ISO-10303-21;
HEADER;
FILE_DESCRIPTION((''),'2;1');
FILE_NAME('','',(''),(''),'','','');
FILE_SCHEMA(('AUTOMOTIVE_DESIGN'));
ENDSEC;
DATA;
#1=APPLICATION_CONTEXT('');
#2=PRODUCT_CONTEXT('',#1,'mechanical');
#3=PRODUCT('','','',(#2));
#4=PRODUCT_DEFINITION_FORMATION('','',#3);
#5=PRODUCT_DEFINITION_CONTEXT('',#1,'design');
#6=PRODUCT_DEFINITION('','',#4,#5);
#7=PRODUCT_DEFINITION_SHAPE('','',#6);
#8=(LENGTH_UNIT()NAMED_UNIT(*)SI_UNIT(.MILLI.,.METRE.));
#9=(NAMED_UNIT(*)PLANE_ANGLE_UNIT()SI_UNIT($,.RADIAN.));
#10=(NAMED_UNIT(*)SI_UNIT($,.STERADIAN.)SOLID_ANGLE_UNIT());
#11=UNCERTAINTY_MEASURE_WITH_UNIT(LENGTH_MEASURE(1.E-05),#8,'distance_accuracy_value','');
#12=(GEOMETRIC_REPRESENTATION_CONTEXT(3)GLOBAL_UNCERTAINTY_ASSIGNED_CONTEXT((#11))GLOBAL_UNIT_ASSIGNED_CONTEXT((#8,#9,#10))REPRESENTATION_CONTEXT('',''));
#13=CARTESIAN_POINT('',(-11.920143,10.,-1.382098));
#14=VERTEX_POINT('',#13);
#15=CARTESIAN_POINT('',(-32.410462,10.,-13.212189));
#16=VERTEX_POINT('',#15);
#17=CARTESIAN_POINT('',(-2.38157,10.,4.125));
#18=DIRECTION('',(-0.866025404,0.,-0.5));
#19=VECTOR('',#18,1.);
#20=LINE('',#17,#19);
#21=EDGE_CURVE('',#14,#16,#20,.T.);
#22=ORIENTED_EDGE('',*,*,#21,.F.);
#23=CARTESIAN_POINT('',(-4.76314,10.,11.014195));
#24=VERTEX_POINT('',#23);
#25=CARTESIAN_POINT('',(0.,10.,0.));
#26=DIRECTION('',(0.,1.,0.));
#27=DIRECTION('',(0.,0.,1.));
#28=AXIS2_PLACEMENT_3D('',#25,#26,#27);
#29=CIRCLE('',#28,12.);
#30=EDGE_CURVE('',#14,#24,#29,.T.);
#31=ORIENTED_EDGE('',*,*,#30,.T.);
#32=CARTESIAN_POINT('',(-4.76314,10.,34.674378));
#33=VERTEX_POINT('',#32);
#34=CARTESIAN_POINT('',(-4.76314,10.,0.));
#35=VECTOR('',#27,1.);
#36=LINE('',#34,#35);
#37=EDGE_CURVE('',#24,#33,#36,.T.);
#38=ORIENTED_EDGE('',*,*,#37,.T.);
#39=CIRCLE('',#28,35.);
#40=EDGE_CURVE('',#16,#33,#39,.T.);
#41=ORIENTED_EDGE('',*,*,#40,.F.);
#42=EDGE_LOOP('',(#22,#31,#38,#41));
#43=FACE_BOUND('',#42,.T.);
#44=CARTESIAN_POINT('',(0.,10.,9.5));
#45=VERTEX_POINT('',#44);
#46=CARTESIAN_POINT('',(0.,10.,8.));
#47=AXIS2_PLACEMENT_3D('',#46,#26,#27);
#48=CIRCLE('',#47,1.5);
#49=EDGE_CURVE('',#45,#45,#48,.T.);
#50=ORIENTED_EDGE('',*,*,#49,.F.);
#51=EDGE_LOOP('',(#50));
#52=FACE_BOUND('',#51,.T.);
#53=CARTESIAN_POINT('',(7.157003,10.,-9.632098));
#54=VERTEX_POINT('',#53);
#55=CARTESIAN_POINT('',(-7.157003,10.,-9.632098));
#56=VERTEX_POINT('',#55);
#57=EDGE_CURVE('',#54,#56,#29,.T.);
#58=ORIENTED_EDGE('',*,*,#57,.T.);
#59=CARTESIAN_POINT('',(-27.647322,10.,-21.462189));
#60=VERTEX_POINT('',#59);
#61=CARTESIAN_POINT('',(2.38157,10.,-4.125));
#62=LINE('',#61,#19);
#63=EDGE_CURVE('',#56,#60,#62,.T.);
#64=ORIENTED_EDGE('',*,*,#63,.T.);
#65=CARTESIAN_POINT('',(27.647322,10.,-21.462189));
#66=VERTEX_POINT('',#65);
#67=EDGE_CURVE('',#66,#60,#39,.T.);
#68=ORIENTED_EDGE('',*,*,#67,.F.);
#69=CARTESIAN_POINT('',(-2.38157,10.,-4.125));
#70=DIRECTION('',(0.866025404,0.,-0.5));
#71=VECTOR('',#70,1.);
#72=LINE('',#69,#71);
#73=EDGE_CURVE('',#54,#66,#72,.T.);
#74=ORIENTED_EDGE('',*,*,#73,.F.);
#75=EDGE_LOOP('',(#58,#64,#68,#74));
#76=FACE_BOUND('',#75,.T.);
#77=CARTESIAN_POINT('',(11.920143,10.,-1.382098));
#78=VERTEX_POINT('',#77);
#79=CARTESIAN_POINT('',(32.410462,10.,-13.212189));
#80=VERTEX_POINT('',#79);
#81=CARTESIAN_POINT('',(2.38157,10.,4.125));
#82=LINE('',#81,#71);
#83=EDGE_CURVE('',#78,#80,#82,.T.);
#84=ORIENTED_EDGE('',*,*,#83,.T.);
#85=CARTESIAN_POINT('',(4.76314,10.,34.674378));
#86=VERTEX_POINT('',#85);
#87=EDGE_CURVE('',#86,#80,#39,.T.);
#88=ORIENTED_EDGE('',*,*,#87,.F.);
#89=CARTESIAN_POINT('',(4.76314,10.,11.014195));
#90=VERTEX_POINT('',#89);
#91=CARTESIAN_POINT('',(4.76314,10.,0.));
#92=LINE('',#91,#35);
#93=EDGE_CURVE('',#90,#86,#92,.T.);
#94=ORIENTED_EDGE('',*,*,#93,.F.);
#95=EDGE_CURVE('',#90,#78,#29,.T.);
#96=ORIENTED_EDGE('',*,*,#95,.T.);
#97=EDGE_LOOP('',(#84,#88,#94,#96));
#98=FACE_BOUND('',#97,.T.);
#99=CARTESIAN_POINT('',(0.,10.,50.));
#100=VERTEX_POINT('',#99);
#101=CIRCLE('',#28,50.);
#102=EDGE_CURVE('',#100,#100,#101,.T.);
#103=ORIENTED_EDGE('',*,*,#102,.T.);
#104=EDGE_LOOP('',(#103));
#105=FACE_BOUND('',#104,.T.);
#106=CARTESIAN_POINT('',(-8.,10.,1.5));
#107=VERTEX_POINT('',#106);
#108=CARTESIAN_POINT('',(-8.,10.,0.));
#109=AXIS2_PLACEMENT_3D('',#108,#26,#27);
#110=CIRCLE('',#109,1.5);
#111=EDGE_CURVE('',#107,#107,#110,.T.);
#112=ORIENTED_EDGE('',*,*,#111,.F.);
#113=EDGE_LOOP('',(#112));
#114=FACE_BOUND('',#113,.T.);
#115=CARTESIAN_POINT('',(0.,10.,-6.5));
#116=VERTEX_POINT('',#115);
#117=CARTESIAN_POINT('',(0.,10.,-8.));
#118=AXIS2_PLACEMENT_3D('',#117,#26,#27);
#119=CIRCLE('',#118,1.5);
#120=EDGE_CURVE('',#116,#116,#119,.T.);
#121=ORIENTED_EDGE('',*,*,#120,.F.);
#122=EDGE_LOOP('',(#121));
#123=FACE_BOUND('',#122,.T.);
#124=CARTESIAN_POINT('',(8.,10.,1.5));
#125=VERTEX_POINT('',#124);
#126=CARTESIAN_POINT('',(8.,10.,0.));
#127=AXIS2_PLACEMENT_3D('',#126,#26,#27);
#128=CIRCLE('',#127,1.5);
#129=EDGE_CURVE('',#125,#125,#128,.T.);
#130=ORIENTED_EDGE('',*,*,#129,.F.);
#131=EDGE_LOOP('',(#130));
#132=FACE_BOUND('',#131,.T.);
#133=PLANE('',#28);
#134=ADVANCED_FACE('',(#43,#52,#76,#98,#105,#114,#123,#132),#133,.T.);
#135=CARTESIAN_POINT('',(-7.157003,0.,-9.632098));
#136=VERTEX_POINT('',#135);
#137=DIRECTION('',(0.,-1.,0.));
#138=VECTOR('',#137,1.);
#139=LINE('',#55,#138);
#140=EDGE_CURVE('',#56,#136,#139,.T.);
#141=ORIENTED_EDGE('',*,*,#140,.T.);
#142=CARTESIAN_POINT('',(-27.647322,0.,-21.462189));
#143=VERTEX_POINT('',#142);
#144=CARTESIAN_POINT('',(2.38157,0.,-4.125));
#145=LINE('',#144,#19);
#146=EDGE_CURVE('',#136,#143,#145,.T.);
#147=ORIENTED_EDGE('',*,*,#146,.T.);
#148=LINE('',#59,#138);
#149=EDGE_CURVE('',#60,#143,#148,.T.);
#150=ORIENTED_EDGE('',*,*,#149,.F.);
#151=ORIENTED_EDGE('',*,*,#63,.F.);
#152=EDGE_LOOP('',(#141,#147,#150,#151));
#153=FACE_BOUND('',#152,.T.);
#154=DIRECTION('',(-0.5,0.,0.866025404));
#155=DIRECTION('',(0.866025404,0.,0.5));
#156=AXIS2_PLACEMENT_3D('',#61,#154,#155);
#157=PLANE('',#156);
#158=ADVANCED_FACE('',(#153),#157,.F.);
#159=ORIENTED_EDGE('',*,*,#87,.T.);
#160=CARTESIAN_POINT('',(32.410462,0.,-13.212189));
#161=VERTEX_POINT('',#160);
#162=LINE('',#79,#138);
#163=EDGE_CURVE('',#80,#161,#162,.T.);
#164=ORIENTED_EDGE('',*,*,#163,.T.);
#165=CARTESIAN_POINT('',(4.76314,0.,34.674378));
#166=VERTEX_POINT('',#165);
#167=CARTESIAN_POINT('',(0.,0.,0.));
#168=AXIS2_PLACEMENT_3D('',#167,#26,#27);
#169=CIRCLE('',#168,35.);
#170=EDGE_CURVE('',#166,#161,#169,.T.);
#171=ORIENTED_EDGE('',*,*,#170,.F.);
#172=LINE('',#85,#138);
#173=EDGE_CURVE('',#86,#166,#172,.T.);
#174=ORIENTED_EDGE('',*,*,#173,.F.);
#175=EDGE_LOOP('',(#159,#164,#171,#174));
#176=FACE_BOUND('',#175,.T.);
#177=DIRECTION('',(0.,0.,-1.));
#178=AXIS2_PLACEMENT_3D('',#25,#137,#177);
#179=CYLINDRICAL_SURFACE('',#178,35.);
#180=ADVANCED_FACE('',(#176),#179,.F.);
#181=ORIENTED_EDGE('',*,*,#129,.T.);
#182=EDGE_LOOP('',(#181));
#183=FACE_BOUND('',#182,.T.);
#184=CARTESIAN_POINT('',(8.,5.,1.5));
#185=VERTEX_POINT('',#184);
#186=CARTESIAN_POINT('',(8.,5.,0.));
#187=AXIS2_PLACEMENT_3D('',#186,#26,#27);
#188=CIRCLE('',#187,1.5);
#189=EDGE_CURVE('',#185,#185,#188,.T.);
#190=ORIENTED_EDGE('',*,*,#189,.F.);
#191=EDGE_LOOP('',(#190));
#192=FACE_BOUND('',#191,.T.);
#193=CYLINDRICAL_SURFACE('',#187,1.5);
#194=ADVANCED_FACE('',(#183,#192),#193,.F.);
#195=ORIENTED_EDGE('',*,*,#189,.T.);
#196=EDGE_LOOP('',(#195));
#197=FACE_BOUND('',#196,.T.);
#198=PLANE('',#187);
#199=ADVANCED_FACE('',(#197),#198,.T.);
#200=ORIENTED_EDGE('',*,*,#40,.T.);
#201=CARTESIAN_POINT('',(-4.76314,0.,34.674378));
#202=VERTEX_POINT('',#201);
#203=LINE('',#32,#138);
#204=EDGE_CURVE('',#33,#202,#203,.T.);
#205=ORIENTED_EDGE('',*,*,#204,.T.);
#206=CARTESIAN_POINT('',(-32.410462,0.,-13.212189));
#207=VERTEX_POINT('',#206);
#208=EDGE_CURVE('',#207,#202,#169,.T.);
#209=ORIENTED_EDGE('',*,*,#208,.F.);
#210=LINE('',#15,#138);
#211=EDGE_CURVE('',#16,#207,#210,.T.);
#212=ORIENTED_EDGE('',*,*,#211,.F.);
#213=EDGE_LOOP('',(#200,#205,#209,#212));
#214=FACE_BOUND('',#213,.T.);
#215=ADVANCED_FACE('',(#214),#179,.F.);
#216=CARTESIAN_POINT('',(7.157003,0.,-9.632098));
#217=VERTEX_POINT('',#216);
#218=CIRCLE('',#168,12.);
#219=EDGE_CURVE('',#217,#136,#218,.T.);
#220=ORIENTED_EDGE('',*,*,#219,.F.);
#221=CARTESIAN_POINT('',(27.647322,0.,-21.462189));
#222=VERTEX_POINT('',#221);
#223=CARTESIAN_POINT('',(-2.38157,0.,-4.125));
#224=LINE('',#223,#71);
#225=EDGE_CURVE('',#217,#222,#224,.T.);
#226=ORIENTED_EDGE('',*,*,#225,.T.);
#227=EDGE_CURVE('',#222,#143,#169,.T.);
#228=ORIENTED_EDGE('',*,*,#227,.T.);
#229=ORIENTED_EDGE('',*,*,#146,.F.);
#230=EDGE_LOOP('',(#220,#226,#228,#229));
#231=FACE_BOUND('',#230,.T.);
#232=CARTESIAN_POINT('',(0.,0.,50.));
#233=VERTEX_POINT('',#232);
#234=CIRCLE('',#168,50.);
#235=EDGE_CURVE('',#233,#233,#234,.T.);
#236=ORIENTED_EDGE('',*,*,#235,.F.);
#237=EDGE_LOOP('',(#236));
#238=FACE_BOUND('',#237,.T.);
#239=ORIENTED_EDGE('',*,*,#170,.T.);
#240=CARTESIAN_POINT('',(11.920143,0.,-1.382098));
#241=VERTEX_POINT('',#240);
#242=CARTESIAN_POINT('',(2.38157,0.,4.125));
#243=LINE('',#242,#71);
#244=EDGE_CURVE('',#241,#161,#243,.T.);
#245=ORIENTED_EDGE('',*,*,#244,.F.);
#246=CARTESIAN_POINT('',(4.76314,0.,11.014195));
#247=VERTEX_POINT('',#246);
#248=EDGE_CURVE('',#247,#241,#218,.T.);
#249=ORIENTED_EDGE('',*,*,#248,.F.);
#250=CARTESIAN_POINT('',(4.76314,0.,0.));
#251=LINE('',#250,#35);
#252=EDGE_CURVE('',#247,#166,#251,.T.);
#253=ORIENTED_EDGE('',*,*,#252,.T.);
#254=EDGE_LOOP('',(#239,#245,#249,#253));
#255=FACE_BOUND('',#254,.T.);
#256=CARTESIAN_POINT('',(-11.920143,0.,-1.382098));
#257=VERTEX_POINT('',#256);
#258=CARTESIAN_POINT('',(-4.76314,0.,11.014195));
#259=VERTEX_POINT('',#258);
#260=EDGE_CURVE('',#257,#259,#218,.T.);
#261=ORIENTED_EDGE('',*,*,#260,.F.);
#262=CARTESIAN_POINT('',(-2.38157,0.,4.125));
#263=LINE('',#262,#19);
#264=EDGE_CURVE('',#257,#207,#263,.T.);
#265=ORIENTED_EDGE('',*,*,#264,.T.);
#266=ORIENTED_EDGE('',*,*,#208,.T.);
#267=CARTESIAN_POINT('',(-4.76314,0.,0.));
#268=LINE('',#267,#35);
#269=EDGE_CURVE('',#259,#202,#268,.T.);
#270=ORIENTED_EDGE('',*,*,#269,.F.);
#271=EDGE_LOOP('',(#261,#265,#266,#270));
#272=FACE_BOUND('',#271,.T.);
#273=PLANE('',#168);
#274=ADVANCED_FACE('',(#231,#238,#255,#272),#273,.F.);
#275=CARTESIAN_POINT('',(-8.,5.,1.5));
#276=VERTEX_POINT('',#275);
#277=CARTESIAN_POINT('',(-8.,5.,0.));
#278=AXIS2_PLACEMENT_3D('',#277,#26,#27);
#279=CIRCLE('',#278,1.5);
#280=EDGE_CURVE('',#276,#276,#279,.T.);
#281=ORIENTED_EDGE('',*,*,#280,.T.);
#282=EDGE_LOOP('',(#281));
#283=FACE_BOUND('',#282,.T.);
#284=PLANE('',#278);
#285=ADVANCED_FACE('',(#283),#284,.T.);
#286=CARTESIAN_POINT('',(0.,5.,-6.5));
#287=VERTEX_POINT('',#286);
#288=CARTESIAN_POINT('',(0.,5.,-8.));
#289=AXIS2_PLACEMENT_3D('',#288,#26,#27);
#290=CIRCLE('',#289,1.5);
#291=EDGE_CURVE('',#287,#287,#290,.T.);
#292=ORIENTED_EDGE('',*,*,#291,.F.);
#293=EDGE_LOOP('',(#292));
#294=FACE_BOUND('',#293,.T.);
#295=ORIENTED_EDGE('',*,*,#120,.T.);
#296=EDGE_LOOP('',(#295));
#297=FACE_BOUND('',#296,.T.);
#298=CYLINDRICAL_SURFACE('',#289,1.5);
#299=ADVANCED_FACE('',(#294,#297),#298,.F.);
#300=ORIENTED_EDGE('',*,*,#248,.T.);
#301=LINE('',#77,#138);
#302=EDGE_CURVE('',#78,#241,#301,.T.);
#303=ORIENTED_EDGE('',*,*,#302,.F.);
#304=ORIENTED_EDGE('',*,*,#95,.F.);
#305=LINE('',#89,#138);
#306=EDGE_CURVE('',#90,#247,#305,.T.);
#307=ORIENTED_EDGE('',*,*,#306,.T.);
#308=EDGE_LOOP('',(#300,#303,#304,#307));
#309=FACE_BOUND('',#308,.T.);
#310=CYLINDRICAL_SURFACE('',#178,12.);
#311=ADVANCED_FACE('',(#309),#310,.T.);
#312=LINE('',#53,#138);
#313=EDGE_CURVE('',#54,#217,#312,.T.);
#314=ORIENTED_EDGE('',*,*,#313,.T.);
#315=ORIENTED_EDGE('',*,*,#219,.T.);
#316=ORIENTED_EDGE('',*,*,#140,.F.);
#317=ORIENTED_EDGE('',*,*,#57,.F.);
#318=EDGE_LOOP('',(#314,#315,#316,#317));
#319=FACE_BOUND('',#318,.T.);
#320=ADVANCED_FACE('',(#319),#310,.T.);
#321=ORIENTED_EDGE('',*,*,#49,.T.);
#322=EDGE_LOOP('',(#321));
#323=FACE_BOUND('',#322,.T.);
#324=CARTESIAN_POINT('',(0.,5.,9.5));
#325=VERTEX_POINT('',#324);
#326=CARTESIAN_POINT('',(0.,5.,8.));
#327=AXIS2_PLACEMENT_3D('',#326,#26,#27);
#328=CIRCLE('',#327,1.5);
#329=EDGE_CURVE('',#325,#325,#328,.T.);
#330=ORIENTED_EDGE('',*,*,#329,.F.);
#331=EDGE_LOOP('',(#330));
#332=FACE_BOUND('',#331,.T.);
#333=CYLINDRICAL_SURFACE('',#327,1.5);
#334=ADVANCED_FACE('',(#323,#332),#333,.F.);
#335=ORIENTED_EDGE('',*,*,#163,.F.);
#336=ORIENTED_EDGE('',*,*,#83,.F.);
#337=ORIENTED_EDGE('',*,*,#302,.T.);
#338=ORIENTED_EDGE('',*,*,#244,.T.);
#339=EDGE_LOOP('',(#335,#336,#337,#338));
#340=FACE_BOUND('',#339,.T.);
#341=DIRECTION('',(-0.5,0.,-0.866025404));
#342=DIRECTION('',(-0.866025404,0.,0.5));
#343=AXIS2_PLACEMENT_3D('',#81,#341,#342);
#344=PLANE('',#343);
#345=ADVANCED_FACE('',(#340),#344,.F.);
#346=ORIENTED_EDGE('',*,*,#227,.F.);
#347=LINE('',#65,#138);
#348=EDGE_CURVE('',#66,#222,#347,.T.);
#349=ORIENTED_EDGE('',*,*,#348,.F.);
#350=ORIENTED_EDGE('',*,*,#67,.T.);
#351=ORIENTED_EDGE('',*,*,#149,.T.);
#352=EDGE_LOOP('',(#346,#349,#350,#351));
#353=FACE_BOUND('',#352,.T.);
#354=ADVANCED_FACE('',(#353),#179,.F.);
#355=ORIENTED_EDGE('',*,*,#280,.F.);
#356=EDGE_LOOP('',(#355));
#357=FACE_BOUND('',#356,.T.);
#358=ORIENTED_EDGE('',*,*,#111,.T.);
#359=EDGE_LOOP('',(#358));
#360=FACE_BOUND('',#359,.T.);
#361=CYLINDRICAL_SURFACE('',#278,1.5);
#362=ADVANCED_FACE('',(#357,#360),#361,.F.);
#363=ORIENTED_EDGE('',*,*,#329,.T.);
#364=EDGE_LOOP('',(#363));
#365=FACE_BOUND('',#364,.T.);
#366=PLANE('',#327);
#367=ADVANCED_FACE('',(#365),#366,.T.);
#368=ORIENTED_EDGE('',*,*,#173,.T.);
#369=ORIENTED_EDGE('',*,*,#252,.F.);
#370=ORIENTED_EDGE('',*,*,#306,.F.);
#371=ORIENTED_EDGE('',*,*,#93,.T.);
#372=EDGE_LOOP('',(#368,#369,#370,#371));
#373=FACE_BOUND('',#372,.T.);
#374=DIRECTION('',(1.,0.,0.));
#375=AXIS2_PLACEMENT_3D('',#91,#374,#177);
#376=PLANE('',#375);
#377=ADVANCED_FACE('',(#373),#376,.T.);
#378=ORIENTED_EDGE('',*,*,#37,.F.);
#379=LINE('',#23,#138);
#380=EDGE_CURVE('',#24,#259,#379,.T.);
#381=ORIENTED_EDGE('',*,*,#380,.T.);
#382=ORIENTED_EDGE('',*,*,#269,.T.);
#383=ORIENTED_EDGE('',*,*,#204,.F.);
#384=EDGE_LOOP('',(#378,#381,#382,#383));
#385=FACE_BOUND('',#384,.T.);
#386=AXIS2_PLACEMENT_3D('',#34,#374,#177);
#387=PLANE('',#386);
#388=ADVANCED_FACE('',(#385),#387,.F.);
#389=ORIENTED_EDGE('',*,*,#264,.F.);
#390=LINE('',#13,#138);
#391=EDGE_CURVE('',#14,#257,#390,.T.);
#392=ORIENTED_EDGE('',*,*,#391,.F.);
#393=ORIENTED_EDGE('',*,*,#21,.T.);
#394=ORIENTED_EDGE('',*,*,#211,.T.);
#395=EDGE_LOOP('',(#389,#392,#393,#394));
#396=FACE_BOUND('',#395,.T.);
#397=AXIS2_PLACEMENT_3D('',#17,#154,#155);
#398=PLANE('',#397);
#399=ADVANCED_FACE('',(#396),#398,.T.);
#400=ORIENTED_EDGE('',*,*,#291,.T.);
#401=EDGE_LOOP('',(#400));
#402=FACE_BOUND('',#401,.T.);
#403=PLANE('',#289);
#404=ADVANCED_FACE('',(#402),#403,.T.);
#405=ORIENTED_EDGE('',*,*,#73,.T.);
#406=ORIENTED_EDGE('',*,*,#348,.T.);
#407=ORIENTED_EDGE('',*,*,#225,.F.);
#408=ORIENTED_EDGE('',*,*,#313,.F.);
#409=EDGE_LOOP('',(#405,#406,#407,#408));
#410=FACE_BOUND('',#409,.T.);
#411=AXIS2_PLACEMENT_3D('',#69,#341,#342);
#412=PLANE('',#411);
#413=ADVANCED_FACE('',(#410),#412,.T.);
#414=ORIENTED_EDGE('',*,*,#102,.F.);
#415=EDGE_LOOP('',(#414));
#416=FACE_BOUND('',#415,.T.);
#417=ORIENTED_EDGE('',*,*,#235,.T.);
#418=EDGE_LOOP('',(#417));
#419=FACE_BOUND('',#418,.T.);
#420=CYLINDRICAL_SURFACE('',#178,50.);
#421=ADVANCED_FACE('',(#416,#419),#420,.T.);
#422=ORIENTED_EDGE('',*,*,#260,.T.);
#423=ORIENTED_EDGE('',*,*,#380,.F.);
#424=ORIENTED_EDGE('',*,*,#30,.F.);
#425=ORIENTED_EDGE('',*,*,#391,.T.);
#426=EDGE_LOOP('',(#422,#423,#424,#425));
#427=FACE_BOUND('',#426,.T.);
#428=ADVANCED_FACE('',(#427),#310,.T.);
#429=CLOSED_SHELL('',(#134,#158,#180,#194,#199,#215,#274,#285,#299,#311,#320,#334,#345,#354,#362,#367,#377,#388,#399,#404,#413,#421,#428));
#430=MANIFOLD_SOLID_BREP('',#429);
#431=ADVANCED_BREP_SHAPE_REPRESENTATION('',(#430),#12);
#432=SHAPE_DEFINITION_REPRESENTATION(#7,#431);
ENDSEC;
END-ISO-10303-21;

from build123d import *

# Parameters (mm, degrees)
SKETCH2_R           = 50
SKETCH2_R_2         = 35
SKETCH2_R_3         = 5.5
BOSS_EXTRUDE1_DEPTH = 10
SKETCH3_R           = 1.5
CUT_EXTRUDE1_DEPTH  = 5


with BuildPart() as part:
    # Sketch2 → Boss-Extrude1 (new body)
    # profile 1 of 11: a face of its own
    with BuildSketch(Plane(origin=(0, 0, 0), x_dir=(1, 0, 0), z_dir=(0, 1, 0))):
        with Locations(Location((0, 0, 0), (0, 0, 270))):
            Circle(SKETCH2_R)
        Circle(SKETCH2_R_2, mode=Mode.SUBTRACT)
    # profile 2 of 11: a face of its own
    with BuildSketch(Plane(origin=(0, 0, 0), x_dir=(1, 0, 0), z_dir=(0, 1, 0))):
        with BuildLine():
            ThreePointArc((-4.763139721, -2.75), (-4.763139721, 2.75), (0, 5.5))
            Line((0, 5.5), (-7.157003146, 9.632097693))
            ThreePointArc((-7.157003146, 9.632097693), (-10.392304845, 6), (-11.920142867, 1.382097693))
            Line((-11.920142867, 1.382097693), (-4.763139721, -2.75))
        make_face()
    # profile 3 of 11: a face of its own
    with BuildSketch(Plane(origin=(0, 0, 0), x_dir=(1, 0, 0), z_dir=(0, 1, 0))):
        with BuildLine():
            Line((-7.157003146, 9.632097693), (0, 5.5))
            Line((0, 5.5), (7.157003146, 9.632097693))
            ThreePointArc((7.157003146, 9.632097693), (0, 12), (-7.157003146, 9.632097693))
        make_face()
    # profile 4 of 11: a face of its own
    with BuildSketch(Plane(origin=(0, 0, 0), x_dir=(1, 0, 0), z_dir=(0, 1, 0))):
        with BuildLine():
            Line((7.157003146, 9.632097693), (0, 5.5))
            ThreePointArc((0, 5.5), (3.889087297, 3.889087297), (5.5, 0))
            ThreePointArc((5.5, 0), (5.312592045, -1.423504748), (4.763139721, -2.75))
            Line((4.763139721, -2.75), (11.920142867, 1.382097693))
            ThreePointArc((11.920142867, 1.382097693), (10.392304845, 6), (7.157003146, 9.632097693))
        make_face()
    # profile 5 of 11: a face of its own
    with BuildSketch(Plane(origin=(0, 0, 0), x_dir=(1, 0, 0), z_dir=(0, 1, 0))):
        with BuildLine():
            ThreePointArc((12, 0), (11.980019082, 0.692201415), (11.920142867, 1.382097693))
            Line((11.920142867, 1.382097693), (4.763139721, -2.75))
            Line((4.763139721, -2.75), (4.763139721, -11.014195386))
            ThreePointArc((4.763139721, -11.014195386), (10.028900155, -6.589473551), (12, 0))
        make_face()
    # profile 6 of 11: a face of its own
    with BuildSketch(Plane(origin=(0, 0, 0), x_dir=(1, 0, 0), z_dir=(0, 1, 0))):
        with BuildLine():
            ThreePointArc((4.763139721, -2.75), (0, -5.5), (-4.763139721, -2.75))
            Line((-4.763139721, -2.75), (-4.763139721, -11.014195386))
            ThreePointArc((-4.763139721, -11.014195386), (0, -12), (4.763139721, -11.014195386))
            Line((4.763139721, -11.014195386), (4.763139721, -2.75))
        make_face()
    # profile 7 of 11: a face of its own
    with BuildSketch(Plane(origin=(0, 0, 0), x_dir=(1, 0, 0), z_dir=(0, 1, 0))):
        with BuildLine():
            Line((-4.763139721, -11.014195386), (-4.763139721, -2.75))
            Line((-4.763139721, -2.75), (-11.920142867, 1.382097693))
            ThreePointArc((-11.920142867, 1.382097693), (-10.392304845, -6), (-4.763139721, -11.014195386))
        make_face()
    # profile 8 of 11: a face of its own
    with BuildSketch(Plane(origin=(0, 0, 0), x_dir=(1, 0, 0), z_dir=(0, 1, 0))):
        Circle(SKETCH2_R_3)
    # profile 9 of 11: a face of its own
    with BuildSketch(Plane(origin=(0, 0, 0), x_dir=(1, 0, 0), z_dir=(0, 1, 0))):
        with BuildLine():
            ThreePointArc((4.763139721, -11.014195386), (0, -12), (-4.763139721, -11.014195386))
            Line((-4.763139721, -11.014195386), (-4.763139721, -34.674378149))
            ThreePointArc((-4.763139721, -34.674378149), (0, -35), (4.763139721, -34.674378149))
            Line((4.763139721, -34.674378149), (4.763139721, -11.014195386))
        make_face()
    # profile 10 of 11: a face of its own
    with BuildSketch(Plane(origin=(0, 0, 0), x_dir=(1, 0, 0), z_dir=(0, 1, 0))):
        with BuildLine():
            ThreePointArc((-11.920142867, 1.382097693), (-10.392304845, 6), (-7.157003146, 9.632097693))
            Line((-7.157003146, 9.632097693), (-27.647322477, 21.462189074))
            ThreePointArc((-27.647322477, 21.462189074), (-30.310889132, 17.5), (-32.410462198, 13.212189074))
            Line((-32.410462198, 13.212189074), (-11.920142867, 1.382097693))
        make_face()
    # profile 11 of 11: a face of its own
    with BuildSketch(Plane(origin=(0, 0, 0), x_dir=(1, 0, 0), z_dir=(0, 1, 0))):
        with BuildLine():
            Line((27.647322477, 21.462189074), (7.157003146, 9.632097693))
            ThreePointArc((7.157003146, 9.632097693), (10.392304845, 6), (11.920142867, 1.382097693))
            Line((11.920142867, 1.382097693), (32.410462198, 13.212189074))
            ThreePointArc((32.410462198, 13.212189074), (30.310889132, 17.5), (27.647322477, 21.462189074))
        make_face()
    extrude(amount=BOSS_EXTRUDE1_DEPTH)

    # Sketch3 → Cut-Extrude1 (cut)
    with BuildSketch(Plane(origin=(0, 10, 0), x_dir=(1, 0, 0), z_dir=(0, 1, 0))):
        with Locations(Location((0, 8, 0), (0, 0, 270))):
            Circle(SKETCH3_R)
        with Locations(Location((8, 0, 0), (0, 0, 270))):
            Circle(SKETCH3_R)
        with Locations(Location((0, -8, 0), (0, 0, 270))):
            Circle(SKETCH3_R)
        with Locations(Location((-8, 0, 0), (0, 0, 270))):
            Circle(SKETCH3_R)
    extrude(amount=-CUT_EXTRUDE1_DEPTH, mode=Mode.SUBTRACT)


solid = part.part
